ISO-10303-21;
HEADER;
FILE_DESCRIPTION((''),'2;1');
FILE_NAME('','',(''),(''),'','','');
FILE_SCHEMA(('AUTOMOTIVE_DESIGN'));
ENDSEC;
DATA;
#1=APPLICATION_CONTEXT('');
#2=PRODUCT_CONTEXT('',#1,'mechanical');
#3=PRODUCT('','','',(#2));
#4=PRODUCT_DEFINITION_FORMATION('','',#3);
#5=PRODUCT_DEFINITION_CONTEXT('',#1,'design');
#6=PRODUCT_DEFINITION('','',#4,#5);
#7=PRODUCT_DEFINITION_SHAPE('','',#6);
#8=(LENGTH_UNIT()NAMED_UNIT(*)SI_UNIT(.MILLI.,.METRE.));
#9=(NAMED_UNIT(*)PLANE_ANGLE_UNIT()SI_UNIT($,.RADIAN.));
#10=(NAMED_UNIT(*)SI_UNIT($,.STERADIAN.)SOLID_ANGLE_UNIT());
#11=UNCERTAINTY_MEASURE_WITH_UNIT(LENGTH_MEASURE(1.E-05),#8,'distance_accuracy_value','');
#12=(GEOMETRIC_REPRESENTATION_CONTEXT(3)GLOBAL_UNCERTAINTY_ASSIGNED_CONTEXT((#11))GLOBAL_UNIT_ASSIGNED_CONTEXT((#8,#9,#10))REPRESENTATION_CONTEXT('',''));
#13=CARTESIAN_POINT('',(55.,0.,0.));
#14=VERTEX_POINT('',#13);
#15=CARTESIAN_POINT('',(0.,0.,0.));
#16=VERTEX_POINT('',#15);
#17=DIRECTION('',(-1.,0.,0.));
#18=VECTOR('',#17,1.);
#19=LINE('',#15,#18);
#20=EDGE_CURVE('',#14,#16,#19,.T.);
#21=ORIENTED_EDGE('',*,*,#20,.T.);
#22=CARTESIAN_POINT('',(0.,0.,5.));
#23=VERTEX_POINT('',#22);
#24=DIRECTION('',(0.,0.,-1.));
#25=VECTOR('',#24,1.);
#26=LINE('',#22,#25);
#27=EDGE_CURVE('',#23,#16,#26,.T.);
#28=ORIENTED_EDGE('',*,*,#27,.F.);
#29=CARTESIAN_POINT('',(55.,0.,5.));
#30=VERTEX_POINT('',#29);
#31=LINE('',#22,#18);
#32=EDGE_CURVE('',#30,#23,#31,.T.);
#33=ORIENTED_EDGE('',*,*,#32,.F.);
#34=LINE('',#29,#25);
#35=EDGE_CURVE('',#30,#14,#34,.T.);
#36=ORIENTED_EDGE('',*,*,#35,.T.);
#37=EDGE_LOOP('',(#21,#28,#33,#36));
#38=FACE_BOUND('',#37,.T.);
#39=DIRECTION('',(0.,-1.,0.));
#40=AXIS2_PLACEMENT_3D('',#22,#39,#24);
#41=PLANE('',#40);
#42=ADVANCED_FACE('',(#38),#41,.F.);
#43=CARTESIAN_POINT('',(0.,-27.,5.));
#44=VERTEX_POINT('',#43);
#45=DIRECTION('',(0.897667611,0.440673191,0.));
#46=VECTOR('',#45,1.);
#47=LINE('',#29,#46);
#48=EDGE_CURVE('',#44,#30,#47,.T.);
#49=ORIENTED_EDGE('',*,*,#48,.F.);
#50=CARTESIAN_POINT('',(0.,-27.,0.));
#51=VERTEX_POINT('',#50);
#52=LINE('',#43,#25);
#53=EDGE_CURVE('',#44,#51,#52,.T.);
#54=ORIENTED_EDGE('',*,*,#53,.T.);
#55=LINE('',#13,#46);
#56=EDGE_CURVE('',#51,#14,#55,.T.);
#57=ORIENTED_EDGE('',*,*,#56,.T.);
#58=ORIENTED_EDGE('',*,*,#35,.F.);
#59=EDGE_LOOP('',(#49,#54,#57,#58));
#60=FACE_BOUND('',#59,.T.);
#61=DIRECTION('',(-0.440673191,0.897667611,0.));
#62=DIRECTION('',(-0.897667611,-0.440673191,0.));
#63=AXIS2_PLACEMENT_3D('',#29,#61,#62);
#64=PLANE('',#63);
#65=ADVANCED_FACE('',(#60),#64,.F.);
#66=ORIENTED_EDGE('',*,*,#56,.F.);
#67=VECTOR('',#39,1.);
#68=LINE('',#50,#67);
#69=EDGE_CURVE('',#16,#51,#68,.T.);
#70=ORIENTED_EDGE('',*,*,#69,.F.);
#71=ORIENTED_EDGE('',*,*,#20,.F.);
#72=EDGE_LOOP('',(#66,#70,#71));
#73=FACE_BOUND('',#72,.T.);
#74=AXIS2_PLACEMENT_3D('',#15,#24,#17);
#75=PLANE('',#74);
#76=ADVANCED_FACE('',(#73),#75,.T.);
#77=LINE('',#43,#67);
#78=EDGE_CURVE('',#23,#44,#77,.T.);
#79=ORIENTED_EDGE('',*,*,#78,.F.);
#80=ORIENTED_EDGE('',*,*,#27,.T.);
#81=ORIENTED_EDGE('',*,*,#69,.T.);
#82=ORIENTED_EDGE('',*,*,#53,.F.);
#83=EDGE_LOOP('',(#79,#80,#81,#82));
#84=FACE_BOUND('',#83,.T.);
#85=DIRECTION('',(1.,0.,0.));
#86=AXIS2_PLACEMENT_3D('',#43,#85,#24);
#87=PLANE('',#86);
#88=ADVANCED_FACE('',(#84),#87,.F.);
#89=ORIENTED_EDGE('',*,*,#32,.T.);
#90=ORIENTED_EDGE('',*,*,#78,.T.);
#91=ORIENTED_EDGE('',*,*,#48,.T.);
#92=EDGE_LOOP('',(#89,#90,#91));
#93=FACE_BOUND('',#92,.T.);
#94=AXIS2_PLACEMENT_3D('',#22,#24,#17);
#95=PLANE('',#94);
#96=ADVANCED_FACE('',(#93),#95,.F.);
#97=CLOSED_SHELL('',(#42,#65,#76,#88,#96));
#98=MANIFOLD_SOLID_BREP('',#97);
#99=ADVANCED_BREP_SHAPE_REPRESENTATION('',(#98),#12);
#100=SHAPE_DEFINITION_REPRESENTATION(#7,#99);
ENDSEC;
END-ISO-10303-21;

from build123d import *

# Parameters (mm, degrees)
SUPPORT_GUSSET_DEPTH = 5


with BuildPart() as part:
    # 草图1 → Support_gusset (new body)
    with BuildSketch(Plane.XY):
        Polygon((0, 0), (55, 0), (0, -27), align=None)
    extrude(amount=SUPPORT_GUSSET_DEPTH)


solid = part.part
